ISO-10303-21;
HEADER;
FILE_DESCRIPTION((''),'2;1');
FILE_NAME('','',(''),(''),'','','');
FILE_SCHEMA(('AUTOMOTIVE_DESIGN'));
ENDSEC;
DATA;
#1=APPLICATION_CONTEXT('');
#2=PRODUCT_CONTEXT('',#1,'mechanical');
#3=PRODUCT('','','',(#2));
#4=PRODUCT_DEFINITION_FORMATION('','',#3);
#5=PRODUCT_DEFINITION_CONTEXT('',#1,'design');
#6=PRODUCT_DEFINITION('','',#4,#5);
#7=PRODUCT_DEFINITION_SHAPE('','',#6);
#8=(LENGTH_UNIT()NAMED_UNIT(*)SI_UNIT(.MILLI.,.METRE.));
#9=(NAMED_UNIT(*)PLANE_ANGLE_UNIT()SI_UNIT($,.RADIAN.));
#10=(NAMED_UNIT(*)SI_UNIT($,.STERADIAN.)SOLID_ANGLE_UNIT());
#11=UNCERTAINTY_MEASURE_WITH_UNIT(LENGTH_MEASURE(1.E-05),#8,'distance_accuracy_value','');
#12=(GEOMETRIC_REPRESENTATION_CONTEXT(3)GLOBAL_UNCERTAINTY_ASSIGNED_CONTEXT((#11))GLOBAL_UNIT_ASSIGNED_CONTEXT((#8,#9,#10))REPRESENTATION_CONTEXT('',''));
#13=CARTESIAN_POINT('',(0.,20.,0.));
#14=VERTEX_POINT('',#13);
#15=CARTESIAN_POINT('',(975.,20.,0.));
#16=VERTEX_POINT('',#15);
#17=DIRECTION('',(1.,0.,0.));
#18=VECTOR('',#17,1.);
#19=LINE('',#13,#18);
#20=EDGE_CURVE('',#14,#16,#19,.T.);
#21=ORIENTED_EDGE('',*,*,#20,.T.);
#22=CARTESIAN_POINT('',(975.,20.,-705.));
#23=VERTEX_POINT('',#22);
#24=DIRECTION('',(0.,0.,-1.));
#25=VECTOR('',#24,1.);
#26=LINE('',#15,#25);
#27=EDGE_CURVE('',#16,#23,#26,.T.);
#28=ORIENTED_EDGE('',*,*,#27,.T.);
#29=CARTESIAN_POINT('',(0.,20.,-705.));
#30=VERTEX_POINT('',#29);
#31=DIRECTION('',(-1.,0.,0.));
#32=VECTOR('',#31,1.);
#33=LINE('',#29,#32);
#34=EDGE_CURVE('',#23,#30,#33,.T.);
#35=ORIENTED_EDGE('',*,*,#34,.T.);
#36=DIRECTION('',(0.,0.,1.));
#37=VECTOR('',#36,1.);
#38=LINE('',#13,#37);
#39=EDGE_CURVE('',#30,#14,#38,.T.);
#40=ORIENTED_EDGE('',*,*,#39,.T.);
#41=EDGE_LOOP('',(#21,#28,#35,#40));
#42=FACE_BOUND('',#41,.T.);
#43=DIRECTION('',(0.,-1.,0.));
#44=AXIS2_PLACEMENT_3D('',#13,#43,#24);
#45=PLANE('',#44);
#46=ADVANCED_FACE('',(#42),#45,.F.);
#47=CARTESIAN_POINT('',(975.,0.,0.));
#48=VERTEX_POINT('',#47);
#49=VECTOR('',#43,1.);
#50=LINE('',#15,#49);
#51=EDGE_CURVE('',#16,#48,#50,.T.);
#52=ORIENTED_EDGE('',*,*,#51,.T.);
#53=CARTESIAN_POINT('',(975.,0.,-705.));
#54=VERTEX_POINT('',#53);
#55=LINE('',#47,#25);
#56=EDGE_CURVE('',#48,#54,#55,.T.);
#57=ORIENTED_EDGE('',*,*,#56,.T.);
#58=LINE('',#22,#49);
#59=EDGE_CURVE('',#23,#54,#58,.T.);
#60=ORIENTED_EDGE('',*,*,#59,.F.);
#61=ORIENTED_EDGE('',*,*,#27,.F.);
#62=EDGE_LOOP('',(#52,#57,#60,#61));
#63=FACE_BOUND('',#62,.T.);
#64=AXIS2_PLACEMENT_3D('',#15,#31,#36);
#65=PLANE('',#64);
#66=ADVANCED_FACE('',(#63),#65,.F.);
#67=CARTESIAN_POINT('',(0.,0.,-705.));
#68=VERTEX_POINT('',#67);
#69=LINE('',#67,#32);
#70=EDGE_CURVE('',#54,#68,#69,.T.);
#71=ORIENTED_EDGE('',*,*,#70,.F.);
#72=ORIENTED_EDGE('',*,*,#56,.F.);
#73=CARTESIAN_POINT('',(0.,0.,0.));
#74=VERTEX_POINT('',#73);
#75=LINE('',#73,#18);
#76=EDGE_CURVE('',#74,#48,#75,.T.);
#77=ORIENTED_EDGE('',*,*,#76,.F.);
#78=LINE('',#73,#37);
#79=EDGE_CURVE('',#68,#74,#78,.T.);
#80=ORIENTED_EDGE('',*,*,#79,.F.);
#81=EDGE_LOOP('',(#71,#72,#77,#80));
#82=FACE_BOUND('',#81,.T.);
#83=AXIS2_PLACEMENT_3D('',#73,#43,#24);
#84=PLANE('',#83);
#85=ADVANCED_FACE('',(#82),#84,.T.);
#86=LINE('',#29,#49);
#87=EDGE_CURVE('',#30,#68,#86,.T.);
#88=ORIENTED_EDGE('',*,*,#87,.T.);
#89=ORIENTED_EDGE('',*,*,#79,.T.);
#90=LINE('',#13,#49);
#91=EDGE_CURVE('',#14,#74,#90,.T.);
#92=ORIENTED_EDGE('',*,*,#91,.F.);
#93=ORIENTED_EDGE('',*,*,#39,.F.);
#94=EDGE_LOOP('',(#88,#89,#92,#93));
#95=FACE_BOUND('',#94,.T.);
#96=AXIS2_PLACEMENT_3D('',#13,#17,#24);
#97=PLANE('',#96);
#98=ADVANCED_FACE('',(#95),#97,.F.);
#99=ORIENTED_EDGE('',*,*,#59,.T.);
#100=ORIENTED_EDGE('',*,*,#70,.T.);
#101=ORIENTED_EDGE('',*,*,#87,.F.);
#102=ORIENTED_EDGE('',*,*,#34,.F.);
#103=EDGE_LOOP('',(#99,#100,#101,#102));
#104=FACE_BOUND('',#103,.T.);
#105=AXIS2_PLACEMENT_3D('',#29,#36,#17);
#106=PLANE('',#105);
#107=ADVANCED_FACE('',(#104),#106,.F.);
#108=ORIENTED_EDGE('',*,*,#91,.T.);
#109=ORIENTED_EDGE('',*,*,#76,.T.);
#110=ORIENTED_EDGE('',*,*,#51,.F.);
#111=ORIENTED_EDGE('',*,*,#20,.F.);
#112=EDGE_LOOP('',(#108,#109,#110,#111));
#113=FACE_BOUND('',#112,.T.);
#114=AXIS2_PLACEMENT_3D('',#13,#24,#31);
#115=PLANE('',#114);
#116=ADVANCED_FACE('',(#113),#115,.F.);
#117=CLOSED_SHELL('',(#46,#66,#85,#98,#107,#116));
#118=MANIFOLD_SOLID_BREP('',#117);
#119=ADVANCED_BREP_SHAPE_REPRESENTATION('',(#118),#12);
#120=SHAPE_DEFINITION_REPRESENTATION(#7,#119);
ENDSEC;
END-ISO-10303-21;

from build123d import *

# Parameters (mm, degrees)
SKETCH_1_W      = 975
SKETCH_1_H      = 705
EXTRUDE_1_DEPTH = 20


with BuildPart() as part:
    # 草图1 → 凸台-拉伸1 (new body)
    with BuildSketch(Plane(origin=(0, 0, 0), x_dir=(1, 0, 0), z_dir=(0, 1, 0))):
        with Locations((487.5, 352.5)):
            Rectangle(SKETCH_1_W, SKETCH_1_H)
    extrude(amount=EXTRUDE_1_DEPTH)


solid = part.part
